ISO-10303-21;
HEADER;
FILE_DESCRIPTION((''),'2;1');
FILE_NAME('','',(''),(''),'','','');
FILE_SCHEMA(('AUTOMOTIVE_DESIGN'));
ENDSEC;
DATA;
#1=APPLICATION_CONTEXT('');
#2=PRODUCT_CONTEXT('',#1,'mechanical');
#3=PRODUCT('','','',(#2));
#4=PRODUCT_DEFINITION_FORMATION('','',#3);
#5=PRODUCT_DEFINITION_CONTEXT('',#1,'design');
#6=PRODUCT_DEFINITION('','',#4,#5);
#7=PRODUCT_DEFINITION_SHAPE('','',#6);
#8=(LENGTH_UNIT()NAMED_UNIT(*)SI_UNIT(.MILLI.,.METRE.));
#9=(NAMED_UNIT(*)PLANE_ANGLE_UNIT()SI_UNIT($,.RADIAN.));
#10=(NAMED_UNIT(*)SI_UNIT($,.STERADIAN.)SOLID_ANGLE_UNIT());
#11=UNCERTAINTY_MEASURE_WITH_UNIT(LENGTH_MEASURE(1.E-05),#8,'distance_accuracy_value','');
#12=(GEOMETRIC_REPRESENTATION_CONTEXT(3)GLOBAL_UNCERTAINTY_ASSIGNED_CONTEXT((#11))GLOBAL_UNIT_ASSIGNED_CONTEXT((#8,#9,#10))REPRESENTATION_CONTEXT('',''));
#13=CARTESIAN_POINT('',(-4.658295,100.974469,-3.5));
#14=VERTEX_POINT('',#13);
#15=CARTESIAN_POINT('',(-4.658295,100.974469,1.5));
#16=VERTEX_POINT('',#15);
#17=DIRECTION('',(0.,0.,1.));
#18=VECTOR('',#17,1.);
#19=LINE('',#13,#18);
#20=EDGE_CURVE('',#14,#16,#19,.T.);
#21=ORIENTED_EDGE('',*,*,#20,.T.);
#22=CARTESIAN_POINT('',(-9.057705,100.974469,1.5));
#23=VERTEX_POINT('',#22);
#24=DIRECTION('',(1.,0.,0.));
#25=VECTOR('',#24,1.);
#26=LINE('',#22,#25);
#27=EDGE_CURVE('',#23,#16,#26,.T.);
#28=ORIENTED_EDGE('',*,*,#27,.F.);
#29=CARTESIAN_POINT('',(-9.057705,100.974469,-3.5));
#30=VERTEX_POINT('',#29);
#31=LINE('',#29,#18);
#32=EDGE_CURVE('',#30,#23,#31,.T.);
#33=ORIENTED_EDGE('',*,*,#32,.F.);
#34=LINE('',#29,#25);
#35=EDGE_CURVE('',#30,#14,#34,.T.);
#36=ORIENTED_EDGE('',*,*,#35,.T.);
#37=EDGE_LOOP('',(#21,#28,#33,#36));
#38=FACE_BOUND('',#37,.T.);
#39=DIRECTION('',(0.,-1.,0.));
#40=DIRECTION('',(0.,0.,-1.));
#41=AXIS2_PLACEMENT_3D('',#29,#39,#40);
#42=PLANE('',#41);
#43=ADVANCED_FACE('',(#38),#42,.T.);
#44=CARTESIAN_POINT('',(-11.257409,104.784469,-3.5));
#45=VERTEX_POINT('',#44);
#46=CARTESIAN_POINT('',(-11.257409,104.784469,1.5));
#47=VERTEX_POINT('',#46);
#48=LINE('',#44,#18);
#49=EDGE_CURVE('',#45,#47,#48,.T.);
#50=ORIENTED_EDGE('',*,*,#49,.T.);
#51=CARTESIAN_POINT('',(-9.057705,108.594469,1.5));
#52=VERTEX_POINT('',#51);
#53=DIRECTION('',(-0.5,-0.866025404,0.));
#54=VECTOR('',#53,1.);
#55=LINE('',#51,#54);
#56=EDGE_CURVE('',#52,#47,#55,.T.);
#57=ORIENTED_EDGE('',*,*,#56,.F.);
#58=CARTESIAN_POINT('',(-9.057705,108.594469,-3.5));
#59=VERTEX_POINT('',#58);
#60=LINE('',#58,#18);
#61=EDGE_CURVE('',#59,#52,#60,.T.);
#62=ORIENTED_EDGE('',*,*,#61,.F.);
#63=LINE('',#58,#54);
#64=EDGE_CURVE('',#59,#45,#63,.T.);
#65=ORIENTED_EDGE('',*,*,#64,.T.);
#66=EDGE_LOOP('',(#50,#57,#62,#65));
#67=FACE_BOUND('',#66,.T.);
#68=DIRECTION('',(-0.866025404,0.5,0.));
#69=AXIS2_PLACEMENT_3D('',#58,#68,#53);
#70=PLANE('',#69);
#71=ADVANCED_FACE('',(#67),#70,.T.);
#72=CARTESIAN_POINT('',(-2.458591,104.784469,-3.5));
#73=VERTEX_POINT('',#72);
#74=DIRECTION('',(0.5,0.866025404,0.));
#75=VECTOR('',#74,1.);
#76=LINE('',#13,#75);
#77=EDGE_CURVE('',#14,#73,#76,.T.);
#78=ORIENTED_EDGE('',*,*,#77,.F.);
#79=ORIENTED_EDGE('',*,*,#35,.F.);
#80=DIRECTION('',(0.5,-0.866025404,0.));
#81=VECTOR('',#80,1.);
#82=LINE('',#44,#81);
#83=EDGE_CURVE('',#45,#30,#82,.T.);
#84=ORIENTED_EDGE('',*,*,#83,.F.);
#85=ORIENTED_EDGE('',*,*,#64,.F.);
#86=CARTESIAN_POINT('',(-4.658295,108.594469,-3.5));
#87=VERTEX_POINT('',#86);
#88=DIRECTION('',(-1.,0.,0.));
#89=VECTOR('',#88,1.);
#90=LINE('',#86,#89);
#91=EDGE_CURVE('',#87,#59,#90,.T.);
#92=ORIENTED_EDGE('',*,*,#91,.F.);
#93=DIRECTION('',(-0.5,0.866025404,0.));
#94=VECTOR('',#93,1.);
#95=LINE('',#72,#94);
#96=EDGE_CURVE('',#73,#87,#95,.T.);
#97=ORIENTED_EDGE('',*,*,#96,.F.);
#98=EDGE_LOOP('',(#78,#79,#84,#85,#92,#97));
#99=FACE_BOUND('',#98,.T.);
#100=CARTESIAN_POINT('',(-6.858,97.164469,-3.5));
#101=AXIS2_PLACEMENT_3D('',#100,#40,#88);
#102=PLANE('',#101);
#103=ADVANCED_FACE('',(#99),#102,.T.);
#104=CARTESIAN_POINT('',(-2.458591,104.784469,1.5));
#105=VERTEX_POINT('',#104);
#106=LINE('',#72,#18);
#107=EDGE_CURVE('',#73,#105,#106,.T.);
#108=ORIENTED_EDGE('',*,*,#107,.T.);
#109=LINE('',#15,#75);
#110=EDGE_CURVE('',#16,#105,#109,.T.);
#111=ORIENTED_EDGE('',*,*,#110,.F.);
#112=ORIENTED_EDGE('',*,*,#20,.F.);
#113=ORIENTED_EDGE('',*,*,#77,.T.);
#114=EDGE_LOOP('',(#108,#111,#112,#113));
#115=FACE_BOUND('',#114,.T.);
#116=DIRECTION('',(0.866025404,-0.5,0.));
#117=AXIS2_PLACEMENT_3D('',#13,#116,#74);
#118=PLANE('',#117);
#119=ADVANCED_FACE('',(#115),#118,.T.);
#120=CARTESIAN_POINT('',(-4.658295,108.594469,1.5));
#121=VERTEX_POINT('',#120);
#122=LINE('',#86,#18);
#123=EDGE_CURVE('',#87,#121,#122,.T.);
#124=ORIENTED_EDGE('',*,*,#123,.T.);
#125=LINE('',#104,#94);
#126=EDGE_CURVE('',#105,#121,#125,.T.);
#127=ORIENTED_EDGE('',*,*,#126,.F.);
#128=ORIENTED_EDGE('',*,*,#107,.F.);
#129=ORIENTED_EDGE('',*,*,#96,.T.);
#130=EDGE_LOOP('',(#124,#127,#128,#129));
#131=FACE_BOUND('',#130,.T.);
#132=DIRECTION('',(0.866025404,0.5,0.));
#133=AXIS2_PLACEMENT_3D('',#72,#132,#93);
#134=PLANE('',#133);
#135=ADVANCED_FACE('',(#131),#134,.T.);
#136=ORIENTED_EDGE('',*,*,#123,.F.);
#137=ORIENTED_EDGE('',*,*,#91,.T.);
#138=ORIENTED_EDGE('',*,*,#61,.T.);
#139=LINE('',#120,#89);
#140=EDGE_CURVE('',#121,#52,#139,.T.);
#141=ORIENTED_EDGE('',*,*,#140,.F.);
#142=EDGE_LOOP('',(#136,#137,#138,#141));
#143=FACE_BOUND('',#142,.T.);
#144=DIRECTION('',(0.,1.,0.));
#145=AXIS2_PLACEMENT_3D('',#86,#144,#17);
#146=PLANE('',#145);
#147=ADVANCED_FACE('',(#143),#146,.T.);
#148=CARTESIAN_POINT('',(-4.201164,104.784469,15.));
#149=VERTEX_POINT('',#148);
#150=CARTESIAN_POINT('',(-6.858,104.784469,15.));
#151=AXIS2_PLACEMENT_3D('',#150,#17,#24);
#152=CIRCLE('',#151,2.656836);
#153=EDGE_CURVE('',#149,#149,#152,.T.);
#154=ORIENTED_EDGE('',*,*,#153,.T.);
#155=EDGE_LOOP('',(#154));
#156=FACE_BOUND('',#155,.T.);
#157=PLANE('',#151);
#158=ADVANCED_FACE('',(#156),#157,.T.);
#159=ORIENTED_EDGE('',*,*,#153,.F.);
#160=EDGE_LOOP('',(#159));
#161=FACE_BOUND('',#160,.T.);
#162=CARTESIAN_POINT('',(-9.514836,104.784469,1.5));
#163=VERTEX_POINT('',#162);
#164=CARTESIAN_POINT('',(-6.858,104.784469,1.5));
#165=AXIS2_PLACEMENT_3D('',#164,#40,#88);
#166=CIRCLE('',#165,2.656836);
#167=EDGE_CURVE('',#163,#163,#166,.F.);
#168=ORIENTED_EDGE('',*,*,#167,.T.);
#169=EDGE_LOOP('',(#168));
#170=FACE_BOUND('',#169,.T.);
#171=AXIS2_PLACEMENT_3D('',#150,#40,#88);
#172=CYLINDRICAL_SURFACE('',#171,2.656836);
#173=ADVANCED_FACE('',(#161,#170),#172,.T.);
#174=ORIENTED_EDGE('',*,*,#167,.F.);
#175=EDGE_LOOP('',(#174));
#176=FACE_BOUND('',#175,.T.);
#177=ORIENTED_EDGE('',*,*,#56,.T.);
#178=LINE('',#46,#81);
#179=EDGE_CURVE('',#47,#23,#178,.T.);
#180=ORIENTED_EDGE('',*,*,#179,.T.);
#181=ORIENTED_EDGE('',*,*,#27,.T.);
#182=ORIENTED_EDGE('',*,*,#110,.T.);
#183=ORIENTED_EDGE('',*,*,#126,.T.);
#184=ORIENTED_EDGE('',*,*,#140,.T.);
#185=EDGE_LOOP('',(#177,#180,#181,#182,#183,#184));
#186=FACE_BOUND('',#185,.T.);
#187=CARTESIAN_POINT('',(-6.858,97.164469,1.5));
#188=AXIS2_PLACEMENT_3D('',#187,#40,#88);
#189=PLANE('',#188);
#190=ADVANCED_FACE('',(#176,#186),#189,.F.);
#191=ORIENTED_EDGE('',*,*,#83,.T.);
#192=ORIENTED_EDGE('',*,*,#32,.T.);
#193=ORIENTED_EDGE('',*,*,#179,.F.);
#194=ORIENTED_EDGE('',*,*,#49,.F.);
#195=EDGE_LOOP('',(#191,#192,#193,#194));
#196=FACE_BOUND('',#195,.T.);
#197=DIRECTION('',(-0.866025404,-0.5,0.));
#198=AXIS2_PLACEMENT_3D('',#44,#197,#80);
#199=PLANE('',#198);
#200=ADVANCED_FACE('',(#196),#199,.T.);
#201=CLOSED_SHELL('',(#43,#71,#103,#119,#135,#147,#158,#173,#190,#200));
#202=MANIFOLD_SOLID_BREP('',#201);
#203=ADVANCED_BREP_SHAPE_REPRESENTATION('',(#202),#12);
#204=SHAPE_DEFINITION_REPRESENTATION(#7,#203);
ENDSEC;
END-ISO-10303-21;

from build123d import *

# Parameters (mm, degrees)
EXTRUDE1_DEPTH      = 1.5
EXTRUDE1_DEPTH_BACK = 3.5
SKETCH2_R           = 2.656835516
EXTRUDE2_DEPTH      = 13.5


with BuildPart() as part:
    # Sketch1 → Extrude1 (new, two sides: drawn at the far end of the back side and taken through both)
    with BuildSketch(Plane.XY.offset(-EXTRUDE1_DEPTH_BACK)):
        Polygon((-2.458590949, 104.784469075), (-4.658295474, 108.594469075), (-9.057704526, 108.594469075), (-11.257409051, 104.784469075), (-9.057704526, 100.974469075), (-4.658295474, 100.974469075), align=None)
    extrude(amount=EXTRUDE1_DEPTH + EXTRUDE1_DEPTH_BACK)

    # Sketch2 → Extrude2 (add)
    with BuildSketch(Plane.XY.offset(1.5)):
        with Locations(Location((-6.858, 104.784469075, 0), (0, 0, 180))):
            Circle(SKETCH2_R)
    extrude(amount=EXTRUDE2_DEPTH)


solid = part.part
